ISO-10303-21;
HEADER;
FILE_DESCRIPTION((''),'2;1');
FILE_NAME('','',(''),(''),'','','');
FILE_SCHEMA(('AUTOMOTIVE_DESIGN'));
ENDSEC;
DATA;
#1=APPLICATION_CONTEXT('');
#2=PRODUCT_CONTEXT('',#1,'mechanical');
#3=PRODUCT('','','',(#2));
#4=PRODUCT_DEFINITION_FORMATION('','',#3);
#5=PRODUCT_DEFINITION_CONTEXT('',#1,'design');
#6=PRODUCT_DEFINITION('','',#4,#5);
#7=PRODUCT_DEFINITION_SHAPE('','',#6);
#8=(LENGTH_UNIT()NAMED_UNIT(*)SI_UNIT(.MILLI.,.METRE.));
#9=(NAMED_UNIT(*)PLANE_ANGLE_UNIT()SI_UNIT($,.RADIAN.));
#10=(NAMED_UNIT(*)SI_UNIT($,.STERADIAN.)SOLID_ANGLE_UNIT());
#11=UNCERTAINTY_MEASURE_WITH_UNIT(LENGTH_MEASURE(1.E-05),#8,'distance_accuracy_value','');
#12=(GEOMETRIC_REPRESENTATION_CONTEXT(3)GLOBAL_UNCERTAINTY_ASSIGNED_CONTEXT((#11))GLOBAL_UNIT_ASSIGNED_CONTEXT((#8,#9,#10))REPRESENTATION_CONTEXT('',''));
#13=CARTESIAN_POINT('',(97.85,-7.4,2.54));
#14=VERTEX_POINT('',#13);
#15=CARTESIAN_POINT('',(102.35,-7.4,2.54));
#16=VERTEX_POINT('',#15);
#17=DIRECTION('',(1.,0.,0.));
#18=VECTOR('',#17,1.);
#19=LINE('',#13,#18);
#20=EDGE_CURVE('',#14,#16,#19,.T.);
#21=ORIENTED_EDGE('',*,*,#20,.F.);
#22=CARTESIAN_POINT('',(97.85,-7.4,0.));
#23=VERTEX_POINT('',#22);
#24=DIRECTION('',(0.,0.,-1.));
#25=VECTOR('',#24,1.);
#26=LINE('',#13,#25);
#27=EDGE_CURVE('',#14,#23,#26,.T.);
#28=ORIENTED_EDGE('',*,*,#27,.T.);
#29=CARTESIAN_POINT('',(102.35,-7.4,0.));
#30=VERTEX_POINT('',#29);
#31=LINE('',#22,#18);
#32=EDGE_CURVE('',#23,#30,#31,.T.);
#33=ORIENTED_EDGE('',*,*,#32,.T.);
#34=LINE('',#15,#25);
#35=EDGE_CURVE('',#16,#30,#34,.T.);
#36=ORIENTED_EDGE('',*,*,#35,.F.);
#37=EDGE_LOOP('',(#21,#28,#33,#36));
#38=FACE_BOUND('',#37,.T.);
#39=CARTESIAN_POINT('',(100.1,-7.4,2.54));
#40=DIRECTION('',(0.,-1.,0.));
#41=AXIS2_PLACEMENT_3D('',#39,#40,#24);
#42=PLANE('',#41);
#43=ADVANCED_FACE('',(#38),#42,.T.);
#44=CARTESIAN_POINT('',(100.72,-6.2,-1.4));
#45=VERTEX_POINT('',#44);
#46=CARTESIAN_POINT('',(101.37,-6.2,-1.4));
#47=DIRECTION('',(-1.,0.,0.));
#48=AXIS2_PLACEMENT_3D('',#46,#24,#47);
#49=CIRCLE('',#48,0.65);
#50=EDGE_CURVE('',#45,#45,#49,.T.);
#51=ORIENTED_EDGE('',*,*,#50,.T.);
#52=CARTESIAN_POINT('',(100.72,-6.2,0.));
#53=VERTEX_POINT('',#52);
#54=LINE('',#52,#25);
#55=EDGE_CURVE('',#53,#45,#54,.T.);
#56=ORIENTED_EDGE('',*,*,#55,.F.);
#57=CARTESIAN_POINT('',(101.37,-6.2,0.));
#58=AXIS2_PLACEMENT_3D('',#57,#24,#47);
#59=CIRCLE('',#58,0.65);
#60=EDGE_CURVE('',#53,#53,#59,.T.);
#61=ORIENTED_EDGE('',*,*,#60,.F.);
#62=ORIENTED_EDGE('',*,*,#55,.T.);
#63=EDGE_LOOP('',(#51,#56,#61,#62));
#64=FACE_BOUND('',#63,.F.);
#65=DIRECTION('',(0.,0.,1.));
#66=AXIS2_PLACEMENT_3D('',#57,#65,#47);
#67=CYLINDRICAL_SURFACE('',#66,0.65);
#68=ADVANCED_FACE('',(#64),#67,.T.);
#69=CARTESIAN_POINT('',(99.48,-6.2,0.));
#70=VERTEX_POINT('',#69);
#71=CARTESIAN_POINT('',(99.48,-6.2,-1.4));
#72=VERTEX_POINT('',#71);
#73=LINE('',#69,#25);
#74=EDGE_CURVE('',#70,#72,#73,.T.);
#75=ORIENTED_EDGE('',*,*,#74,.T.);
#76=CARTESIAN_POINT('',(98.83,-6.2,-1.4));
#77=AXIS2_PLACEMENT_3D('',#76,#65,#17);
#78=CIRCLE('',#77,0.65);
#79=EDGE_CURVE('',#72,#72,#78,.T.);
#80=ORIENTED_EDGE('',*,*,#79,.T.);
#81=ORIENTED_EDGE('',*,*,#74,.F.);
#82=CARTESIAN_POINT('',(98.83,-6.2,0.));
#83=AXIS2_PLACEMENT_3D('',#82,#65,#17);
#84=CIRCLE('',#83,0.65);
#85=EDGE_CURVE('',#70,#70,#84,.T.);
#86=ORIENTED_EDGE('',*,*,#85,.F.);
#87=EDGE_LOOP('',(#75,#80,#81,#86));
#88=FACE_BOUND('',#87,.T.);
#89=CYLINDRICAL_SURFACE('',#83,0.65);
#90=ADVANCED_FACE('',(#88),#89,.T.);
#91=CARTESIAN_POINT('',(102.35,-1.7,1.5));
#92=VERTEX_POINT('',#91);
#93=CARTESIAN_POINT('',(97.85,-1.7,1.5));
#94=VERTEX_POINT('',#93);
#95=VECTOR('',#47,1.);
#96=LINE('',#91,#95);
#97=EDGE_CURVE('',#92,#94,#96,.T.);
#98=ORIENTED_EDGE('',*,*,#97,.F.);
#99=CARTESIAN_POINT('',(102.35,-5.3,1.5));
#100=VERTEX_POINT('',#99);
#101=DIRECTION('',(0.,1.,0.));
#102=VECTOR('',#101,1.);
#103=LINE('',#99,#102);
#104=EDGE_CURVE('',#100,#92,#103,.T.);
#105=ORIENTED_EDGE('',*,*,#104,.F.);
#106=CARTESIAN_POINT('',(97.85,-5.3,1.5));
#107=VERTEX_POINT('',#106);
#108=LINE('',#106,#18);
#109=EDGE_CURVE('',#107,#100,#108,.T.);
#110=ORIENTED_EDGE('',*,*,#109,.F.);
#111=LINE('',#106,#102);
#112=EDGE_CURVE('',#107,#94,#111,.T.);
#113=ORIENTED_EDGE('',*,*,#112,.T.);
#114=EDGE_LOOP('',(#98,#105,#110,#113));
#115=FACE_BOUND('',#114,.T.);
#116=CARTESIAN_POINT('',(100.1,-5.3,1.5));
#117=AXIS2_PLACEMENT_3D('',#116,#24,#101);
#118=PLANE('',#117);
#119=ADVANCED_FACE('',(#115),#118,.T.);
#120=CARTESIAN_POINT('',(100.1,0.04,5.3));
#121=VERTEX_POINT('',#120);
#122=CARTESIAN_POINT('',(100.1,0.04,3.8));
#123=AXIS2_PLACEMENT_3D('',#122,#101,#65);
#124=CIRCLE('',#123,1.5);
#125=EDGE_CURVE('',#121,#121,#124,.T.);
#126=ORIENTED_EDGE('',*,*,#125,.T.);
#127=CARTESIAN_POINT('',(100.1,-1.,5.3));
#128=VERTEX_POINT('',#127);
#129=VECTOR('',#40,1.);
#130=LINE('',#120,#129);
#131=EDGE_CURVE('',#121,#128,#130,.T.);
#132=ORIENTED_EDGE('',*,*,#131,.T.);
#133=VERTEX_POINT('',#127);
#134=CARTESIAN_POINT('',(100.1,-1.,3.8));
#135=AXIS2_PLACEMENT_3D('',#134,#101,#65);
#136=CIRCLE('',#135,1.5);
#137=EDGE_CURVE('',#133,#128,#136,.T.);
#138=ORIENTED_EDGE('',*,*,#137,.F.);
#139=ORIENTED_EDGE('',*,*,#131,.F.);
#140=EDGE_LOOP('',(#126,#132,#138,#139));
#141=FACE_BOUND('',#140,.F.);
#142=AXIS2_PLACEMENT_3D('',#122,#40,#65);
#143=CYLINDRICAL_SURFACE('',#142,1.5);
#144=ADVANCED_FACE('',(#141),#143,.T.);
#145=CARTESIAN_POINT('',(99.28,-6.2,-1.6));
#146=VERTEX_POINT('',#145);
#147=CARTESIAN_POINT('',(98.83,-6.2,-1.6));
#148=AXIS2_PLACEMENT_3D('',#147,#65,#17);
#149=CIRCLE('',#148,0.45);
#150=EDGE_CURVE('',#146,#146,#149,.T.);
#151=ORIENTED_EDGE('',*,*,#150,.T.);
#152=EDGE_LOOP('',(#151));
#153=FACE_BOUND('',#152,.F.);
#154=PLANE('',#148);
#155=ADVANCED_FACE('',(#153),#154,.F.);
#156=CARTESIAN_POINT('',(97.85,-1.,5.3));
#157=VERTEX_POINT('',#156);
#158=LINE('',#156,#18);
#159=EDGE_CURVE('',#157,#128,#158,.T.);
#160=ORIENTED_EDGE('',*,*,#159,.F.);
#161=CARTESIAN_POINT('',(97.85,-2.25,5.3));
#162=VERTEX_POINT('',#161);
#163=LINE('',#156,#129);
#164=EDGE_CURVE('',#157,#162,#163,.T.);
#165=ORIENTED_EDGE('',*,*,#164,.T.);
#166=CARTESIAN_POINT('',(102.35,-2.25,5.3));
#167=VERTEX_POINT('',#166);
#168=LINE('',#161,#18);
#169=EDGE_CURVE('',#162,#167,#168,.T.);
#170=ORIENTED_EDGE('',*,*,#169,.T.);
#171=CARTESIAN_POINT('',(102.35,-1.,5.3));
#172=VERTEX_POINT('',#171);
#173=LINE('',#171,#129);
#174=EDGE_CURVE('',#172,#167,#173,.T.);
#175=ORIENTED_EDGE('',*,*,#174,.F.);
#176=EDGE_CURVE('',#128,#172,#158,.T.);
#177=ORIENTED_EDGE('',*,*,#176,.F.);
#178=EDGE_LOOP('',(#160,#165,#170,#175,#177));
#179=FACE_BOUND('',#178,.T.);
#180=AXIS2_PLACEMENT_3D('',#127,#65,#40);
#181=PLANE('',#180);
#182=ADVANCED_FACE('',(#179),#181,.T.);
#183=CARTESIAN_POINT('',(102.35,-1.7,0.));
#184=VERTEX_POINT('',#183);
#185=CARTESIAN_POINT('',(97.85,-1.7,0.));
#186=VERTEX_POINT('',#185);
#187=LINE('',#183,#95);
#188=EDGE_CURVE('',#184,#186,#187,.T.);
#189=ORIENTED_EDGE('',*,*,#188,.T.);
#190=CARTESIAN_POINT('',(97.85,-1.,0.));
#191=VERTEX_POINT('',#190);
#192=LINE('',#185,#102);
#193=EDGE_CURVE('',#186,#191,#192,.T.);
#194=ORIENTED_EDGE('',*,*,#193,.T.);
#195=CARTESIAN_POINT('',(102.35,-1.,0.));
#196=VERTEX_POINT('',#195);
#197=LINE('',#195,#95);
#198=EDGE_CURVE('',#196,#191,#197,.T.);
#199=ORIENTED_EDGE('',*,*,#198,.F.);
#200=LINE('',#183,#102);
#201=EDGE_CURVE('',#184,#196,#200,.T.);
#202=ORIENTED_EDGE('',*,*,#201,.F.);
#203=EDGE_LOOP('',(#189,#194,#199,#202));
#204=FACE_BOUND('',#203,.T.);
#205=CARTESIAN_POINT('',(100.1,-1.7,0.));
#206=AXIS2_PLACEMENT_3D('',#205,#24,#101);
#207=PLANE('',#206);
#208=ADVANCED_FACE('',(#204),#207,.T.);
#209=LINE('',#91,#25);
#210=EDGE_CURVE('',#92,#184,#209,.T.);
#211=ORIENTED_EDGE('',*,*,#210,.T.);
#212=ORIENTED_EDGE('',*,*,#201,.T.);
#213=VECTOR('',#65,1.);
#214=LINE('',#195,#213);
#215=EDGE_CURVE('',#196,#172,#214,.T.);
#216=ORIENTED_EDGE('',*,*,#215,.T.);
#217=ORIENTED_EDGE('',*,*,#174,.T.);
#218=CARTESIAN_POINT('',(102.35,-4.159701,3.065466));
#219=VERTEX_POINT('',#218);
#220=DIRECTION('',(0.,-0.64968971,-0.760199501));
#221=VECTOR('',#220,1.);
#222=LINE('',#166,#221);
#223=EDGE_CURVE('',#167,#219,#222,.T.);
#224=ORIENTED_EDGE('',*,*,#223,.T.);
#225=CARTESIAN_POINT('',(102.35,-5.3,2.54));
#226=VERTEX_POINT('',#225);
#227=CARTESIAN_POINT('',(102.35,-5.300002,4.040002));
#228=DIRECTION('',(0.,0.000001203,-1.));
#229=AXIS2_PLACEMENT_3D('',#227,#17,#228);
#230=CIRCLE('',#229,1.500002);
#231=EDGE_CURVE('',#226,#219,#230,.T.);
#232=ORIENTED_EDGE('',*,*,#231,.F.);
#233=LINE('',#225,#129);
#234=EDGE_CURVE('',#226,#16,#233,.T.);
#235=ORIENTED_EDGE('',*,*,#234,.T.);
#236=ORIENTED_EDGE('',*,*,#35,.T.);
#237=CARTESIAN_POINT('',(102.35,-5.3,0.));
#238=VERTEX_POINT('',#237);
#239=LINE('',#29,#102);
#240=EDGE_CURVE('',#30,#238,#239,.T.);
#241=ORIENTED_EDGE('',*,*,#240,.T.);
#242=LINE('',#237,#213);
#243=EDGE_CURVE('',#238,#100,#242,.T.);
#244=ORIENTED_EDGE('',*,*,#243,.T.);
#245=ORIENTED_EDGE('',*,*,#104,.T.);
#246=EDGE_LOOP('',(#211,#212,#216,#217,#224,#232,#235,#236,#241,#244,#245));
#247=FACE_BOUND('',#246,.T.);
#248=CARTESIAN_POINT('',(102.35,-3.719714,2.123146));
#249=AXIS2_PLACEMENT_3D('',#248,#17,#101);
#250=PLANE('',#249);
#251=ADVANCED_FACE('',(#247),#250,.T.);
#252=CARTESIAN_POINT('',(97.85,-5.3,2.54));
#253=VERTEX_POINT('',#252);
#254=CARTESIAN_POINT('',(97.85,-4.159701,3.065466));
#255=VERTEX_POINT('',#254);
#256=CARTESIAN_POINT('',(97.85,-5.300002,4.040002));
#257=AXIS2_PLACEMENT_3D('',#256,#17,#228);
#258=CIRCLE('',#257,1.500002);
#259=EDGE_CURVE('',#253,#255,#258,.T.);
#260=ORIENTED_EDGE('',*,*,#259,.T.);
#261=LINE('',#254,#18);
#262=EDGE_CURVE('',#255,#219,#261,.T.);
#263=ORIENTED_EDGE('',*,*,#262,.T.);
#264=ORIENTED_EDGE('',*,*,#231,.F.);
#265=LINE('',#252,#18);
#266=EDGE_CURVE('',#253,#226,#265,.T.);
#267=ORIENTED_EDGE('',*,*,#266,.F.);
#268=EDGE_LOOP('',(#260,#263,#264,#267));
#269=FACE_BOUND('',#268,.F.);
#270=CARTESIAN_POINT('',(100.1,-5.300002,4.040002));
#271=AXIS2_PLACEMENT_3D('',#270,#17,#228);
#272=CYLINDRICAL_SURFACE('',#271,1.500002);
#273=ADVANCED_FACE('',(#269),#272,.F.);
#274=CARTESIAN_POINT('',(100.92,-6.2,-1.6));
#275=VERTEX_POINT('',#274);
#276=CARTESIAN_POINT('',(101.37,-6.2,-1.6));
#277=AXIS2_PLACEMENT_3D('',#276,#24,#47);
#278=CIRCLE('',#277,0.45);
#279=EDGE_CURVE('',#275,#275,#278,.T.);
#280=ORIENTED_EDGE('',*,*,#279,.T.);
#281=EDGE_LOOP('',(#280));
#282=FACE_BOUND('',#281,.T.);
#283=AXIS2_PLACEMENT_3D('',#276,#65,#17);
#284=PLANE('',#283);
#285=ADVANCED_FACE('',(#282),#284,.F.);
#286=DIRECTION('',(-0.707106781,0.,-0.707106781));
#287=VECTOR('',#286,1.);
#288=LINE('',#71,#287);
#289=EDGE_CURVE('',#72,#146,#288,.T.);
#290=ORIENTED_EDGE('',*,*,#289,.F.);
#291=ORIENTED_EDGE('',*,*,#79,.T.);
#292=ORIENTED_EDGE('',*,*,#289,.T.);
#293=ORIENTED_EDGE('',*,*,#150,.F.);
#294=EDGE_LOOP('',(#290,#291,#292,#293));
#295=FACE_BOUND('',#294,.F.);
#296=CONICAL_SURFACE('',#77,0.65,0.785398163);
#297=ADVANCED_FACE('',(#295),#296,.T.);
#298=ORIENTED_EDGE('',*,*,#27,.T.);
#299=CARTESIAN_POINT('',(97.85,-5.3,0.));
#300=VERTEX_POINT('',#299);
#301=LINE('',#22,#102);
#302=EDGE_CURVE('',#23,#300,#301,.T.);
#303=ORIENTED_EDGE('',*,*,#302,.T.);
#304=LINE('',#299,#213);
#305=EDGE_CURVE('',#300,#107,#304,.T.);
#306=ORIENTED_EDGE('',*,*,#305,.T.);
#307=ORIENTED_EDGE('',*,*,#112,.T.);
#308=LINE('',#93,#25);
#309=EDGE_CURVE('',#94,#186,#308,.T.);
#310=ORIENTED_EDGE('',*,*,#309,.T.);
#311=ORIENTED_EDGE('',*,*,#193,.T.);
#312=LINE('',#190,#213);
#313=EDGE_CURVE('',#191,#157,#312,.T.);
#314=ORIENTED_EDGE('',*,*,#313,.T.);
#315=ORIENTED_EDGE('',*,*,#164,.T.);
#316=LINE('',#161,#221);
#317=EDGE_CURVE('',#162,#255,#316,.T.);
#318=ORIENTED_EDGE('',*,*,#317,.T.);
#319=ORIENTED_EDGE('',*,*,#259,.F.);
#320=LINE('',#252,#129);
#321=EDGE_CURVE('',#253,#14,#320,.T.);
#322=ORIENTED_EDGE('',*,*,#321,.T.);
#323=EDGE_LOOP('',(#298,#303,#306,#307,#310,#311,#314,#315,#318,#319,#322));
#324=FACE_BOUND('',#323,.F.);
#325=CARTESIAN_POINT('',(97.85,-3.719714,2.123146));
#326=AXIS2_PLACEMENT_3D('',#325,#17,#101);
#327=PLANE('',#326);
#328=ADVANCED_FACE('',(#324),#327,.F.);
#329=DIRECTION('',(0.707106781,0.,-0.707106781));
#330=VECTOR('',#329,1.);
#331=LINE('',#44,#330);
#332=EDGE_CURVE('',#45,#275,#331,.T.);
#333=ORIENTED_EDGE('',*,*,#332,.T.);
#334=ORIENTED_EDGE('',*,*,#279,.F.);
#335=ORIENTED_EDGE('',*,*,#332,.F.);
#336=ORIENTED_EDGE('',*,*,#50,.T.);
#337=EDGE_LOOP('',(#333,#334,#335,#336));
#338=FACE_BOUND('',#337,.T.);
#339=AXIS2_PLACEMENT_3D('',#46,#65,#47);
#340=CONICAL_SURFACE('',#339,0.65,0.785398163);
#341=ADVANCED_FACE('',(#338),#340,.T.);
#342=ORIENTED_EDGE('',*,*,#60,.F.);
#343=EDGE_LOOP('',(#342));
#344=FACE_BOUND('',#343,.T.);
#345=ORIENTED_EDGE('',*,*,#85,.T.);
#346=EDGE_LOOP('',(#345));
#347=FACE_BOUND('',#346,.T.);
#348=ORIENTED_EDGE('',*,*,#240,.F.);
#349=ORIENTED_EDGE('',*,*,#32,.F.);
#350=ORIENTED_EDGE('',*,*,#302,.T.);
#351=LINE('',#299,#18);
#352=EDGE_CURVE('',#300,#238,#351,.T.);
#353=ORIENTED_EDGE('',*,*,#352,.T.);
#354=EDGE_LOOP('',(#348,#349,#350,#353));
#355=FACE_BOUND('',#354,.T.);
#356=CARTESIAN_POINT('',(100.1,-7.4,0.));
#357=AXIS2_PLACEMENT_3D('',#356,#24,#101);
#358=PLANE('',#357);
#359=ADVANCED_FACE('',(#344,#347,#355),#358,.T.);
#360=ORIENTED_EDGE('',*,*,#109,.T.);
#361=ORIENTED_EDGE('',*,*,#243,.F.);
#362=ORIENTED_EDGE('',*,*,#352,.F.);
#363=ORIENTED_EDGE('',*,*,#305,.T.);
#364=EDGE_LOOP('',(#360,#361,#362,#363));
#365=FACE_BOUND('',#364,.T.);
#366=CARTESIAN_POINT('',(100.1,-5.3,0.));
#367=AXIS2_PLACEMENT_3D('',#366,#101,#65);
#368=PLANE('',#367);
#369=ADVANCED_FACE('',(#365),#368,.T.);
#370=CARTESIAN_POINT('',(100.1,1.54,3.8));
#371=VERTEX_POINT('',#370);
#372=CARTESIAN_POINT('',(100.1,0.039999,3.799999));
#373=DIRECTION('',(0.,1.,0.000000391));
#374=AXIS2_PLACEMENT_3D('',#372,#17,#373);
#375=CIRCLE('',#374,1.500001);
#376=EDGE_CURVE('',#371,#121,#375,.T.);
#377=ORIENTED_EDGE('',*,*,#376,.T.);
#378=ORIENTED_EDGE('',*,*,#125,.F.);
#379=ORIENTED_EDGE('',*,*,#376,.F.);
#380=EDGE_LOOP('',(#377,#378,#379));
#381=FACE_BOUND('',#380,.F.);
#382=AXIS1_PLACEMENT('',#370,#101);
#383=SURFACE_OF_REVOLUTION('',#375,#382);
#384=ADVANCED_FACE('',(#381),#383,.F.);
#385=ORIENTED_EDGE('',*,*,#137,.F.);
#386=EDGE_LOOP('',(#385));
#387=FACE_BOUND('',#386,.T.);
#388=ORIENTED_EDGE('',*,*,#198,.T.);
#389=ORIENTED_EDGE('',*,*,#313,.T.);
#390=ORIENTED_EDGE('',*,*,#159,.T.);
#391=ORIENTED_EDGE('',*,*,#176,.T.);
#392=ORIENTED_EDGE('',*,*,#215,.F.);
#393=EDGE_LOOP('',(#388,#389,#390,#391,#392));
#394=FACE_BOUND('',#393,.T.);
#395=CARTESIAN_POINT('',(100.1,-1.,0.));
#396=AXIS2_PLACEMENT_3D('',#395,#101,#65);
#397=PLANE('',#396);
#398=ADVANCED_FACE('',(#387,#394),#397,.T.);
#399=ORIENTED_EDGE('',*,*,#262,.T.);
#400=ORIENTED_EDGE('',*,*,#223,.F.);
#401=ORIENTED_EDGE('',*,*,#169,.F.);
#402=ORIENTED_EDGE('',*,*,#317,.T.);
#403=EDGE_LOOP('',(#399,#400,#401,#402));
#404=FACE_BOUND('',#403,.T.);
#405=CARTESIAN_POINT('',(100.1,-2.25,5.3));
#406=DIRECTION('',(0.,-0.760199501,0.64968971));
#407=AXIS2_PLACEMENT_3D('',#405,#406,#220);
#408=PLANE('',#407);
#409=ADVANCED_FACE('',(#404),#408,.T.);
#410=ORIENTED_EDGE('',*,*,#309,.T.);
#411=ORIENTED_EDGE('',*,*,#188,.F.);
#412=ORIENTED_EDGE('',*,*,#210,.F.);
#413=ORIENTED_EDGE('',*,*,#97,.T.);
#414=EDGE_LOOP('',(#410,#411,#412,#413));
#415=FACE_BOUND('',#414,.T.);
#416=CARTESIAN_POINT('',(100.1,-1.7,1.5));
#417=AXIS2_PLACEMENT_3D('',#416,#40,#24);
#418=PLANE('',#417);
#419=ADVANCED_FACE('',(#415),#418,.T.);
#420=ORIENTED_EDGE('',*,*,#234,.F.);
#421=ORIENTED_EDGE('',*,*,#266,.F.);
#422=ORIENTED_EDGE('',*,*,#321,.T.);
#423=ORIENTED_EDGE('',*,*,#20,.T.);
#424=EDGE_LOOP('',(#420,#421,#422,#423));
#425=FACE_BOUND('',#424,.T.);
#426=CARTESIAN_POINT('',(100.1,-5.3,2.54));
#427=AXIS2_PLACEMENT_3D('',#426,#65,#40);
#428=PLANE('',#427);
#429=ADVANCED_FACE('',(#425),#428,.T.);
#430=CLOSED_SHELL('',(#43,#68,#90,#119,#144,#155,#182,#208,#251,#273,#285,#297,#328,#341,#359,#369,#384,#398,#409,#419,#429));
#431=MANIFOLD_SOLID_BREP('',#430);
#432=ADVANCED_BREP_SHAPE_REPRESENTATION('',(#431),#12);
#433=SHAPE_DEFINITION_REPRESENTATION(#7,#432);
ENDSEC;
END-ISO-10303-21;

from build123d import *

# Parameters (mm, degrees)
PAD013_DEPTH    = 2.25
SKETCH022_R     = 0.65
PAD014_DEPTH    = 1.6
CHAMFER003_SIZE = 0.2


with BuildPart() as part:
    # Sketch020 → Pad013 (new body, symmetric)
    with BuildSketch(Plane.YZ):
        with BuildLine():
            Line((0, 0), (0, 5.3))
            Line((0, 5.3), (-1.25, 5.3))
            Line((-1.25, 5.3), (-3.159701, 3.065466))
            ThreePointArc((-4.3, 2.54), (-3.672227, 2.677686), (-3.159701, 3.065466))
            Line((-4.3, 2.54), (-6.4, 2.54))
            Line((-6.4, 2.54), (-6.4, 0))
            Line((-6.4, 0), (-4.3, 0))
            Line((-4.3, 0), (-4.3, 1.5))
            Line((-4.3, 1.5), (-0.7, 1.5))
            Line((-0.7, 1.5), (-0.7, 0))
            Line((-0.7, 0), (0, 0))
        make_face()
    extrude(amount=PAD013_DEPTH, both=True)

    # Sketch021 → Revolution (revolve)
    with BuildSketch(Plane.YZ):
        with BuildLine():
            Line((0, 3.8), (2.54, 3.8))
            ThreePointArc((2.54, 3.8), (2.10066, 4.86066), (1.04, 5.3))
            Line((1.04, 5.3), (0, 5.3))
            Line((0, 5.3), (0, 3.8))
        make_face()
    revolve(axis=Axis((0, 2.54, 3.8), (0, 1, 0)))

    # Sketch022 → Pad014 (join)
    with BuildSketch(Plane.XY):
        with Locations((-1.27, -5.2)):
            Circle(SKETCH022_R)
    pad014 = extrude(amount=-PAD014_DEPTH)

    # Mirrored003: Pad014 across Sketch022 V_Axis
    add(pad014.mirror(Plane(origin=(0, 0, 0), x_dir=(0, 0, 1), z_dir=(1, 0, 0))))

    # Chamfer003
    chamfer003_edges = [part.edges().sort_by_distance(p)[0] for p in [
        (1.92, -5.2, -1.6),
        (-1.92, -5.2, -1.6),
    ]]
    chamfer(chamfer003_edges, length=CHAMFER003_SIZE)


with BuildPart() as part_1:
    # Clone002 placement: moved
    add(part.part.moved(Location((100.1, -1, 0))))


solid = part_1.part
